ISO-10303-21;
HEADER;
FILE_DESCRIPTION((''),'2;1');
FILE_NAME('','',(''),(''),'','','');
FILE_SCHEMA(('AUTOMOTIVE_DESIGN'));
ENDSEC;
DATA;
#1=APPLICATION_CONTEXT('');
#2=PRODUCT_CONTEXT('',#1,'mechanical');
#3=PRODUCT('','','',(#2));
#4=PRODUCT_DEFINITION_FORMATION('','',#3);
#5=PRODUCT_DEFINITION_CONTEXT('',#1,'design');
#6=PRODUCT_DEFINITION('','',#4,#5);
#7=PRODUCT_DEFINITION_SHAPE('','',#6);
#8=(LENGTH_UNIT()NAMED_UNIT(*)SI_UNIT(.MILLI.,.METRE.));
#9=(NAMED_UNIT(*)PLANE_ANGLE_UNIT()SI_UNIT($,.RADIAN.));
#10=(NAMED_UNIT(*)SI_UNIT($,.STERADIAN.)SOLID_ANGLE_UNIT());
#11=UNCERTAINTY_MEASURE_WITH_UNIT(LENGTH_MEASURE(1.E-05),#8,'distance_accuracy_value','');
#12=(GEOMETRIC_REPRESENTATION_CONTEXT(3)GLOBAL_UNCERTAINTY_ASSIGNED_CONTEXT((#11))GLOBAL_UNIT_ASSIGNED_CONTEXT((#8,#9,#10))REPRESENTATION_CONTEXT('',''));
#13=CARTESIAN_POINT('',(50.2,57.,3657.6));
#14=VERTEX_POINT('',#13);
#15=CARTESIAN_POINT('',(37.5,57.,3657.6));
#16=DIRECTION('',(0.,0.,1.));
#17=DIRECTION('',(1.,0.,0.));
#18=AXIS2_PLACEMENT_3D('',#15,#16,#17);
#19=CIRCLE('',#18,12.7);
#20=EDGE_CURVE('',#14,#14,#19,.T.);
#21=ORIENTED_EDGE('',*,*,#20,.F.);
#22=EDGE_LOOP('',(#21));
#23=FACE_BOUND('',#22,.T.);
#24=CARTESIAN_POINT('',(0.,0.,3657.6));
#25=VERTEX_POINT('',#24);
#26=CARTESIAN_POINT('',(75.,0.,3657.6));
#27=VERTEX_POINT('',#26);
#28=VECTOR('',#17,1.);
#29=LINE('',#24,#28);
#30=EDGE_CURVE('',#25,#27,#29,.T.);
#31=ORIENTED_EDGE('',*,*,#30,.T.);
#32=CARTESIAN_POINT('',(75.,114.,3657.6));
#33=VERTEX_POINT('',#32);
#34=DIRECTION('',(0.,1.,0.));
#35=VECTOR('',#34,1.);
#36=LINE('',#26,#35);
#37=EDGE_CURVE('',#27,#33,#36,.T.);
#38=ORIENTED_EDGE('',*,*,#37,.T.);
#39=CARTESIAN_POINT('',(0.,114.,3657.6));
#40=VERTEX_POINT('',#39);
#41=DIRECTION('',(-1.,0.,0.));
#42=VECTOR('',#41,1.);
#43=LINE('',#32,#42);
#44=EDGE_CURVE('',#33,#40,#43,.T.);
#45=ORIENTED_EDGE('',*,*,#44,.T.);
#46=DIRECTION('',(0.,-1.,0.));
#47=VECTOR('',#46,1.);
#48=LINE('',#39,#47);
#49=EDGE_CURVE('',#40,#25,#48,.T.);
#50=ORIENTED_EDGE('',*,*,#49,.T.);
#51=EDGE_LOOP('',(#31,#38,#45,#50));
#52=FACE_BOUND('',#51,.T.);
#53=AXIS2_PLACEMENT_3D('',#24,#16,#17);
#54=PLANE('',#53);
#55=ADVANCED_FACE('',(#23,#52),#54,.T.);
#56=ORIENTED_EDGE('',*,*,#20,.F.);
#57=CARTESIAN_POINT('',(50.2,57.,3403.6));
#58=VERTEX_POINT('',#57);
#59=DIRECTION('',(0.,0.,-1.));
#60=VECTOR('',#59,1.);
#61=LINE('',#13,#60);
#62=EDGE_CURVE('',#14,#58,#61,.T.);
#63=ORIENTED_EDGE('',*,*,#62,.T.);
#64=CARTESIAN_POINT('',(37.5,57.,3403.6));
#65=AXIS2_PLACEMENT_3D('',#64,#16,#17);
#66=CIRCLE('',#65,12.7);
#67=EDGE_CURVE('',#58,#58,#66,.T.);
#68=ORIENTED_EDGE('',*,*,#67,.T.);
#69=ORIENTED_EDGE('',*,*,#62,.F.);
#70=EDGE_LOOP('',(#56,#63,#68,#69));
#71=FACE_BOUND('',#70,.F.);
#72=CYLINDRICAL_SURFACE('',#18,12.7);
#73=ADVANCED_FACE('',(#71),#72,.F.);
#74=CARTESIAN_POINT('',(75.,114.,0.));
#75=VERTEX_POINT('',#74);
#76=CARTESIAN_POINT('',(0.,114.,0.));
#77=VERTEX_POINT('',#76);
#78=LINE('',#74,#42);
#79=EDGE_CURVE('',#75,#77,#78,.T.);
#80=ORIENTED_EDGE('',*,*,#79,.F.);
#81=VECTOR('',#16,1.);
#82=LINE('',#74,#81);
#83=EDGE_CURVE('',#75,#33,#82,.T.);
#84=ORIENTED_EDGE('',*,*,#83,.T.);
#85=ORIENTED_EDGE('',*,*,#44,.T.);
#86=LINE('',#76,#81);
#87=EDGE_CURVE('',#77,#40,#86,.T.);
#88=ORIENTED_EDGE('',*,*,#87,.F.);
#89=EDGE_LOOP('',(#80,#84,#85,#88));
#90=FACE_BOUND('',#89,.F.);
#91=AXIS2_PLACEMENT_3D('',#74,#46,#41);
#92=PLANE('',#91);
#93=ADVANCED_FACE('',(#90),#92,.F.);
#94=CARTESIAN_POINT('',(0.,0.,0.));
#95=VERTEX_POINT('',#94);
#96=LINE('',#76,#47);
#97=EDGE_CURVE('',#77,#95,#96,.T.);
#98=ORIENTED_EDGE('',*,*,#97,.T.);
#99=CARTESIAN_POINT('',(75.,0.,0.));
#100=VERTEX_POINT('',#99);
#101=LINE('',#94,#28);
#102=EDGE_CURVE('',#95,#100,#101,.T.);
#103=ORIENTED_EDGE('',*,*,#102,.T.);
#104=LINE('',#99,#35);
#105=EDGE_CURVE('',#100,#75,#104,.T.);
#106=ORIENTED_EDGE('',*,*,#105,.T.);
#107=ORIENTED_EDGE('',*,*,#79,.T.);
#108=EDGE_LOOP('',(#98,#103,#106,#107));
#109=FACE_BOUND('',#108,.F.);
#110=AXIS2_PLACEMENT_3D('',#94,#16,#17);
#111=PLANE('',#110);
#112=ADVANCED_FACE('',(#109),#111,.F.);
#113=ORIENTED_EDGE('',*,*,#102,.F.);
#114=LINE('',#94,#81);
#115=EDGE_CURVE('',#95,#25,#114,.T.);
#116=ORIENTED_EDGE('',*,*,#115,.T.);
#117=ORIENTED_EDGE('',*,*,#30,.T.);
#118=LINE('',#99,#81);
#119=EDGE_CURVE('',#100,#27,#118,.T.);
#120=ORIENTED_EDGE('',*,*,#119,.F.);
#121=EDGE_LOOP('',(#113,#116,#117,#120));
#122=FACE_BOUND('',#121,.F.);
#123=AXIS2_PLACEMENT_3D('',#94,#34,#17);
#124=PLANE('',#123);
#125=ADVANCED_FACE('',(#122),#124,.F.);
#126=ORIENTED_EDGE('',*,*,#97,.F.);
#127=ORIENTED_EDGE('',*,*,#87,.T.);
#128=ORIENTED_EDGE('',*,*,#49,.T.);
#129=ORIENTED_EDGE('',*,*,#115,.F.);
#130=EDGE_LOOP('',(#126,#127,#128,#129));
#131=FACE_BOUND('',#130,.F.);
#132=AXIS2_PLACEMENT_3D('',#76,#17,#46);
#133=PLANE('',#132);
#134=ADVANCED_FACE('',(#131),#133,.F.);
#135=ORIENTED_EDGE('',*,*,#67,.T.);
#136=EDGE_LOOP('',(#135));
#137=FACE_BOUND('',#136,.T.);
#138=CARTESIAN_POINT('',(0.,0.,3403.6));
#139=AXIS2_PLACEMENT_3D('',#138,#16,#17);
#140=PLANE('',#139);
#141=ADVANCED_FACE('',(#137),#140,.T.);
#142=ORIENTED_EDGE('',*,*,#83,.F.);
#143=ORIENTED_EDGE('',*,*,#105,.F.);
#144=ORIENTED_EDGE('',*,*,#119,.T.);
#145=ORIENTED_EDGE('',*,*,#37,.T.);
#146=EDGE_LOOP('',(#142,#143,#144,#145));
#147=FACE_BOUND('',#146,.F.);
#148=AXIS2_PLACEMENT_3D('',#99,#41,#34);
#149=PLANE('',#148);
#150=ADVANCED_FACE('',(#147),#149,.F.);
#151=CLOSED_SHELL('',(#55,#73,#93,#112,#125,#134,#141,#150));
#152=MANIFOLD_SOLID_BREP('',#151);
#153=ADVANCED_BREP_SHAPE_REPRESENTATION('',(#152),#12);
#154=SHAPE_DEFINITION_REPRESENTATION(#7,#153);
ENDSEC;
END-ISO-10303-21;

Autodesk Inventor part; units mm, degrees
ref_plane "YZ Plane" through (0, 0, 0) normal (1, 0, 0) x (0, 1, 0)
ref_plane "XZ Plane" through (0, 0, 0) normal (0, 1, 0) x (-1, 0, 0)
ref_plane "XY Plane" through (0, 0, 0) normal (0, 0, 1) x (1, 0, 0)
sketch "Sketch1" plane through (0, 0, 0) normal (0, 0, 1) x (1, 0, 0)
  line L0 (0, 0) -> (75, 0)
  line L1 (75, 0) -> (75, 114)
  line L2 (75, 114) -> (0, 114)
  line L3 (0, 114) -> (0, 0)
  dimension "d0" = 75
  dimension "d1" = 114
extrude "Extrusion1" add sketch "Sketch1" along normal blind 3657.6
sketch "Sketch4" plane through (0, 0, 3657.6) normal (0, 0, 1) x (1, 0, 0)
  circle A0 centre (37.5, 57) radius 12.7
  line L0 (0, 0) -> (75, 0) projected
  line L1 (75, 0) -> (75, 114) projected
  line L2 (75, 114) -> (0, 114) projected
  line L3 (0, 114) -> (0, 0) projected
  line L4 (37.5, 114) -> (37.5, 0) construction
  line L5 (0, 57) -> (75, 57) construction
  dimension "d16" = 25.4
extrude "Extrusion4" cut sketch "Sketch4" against normal blind 254 contours A0
properties part number "2p3post" material "Wood (Walnut)"
